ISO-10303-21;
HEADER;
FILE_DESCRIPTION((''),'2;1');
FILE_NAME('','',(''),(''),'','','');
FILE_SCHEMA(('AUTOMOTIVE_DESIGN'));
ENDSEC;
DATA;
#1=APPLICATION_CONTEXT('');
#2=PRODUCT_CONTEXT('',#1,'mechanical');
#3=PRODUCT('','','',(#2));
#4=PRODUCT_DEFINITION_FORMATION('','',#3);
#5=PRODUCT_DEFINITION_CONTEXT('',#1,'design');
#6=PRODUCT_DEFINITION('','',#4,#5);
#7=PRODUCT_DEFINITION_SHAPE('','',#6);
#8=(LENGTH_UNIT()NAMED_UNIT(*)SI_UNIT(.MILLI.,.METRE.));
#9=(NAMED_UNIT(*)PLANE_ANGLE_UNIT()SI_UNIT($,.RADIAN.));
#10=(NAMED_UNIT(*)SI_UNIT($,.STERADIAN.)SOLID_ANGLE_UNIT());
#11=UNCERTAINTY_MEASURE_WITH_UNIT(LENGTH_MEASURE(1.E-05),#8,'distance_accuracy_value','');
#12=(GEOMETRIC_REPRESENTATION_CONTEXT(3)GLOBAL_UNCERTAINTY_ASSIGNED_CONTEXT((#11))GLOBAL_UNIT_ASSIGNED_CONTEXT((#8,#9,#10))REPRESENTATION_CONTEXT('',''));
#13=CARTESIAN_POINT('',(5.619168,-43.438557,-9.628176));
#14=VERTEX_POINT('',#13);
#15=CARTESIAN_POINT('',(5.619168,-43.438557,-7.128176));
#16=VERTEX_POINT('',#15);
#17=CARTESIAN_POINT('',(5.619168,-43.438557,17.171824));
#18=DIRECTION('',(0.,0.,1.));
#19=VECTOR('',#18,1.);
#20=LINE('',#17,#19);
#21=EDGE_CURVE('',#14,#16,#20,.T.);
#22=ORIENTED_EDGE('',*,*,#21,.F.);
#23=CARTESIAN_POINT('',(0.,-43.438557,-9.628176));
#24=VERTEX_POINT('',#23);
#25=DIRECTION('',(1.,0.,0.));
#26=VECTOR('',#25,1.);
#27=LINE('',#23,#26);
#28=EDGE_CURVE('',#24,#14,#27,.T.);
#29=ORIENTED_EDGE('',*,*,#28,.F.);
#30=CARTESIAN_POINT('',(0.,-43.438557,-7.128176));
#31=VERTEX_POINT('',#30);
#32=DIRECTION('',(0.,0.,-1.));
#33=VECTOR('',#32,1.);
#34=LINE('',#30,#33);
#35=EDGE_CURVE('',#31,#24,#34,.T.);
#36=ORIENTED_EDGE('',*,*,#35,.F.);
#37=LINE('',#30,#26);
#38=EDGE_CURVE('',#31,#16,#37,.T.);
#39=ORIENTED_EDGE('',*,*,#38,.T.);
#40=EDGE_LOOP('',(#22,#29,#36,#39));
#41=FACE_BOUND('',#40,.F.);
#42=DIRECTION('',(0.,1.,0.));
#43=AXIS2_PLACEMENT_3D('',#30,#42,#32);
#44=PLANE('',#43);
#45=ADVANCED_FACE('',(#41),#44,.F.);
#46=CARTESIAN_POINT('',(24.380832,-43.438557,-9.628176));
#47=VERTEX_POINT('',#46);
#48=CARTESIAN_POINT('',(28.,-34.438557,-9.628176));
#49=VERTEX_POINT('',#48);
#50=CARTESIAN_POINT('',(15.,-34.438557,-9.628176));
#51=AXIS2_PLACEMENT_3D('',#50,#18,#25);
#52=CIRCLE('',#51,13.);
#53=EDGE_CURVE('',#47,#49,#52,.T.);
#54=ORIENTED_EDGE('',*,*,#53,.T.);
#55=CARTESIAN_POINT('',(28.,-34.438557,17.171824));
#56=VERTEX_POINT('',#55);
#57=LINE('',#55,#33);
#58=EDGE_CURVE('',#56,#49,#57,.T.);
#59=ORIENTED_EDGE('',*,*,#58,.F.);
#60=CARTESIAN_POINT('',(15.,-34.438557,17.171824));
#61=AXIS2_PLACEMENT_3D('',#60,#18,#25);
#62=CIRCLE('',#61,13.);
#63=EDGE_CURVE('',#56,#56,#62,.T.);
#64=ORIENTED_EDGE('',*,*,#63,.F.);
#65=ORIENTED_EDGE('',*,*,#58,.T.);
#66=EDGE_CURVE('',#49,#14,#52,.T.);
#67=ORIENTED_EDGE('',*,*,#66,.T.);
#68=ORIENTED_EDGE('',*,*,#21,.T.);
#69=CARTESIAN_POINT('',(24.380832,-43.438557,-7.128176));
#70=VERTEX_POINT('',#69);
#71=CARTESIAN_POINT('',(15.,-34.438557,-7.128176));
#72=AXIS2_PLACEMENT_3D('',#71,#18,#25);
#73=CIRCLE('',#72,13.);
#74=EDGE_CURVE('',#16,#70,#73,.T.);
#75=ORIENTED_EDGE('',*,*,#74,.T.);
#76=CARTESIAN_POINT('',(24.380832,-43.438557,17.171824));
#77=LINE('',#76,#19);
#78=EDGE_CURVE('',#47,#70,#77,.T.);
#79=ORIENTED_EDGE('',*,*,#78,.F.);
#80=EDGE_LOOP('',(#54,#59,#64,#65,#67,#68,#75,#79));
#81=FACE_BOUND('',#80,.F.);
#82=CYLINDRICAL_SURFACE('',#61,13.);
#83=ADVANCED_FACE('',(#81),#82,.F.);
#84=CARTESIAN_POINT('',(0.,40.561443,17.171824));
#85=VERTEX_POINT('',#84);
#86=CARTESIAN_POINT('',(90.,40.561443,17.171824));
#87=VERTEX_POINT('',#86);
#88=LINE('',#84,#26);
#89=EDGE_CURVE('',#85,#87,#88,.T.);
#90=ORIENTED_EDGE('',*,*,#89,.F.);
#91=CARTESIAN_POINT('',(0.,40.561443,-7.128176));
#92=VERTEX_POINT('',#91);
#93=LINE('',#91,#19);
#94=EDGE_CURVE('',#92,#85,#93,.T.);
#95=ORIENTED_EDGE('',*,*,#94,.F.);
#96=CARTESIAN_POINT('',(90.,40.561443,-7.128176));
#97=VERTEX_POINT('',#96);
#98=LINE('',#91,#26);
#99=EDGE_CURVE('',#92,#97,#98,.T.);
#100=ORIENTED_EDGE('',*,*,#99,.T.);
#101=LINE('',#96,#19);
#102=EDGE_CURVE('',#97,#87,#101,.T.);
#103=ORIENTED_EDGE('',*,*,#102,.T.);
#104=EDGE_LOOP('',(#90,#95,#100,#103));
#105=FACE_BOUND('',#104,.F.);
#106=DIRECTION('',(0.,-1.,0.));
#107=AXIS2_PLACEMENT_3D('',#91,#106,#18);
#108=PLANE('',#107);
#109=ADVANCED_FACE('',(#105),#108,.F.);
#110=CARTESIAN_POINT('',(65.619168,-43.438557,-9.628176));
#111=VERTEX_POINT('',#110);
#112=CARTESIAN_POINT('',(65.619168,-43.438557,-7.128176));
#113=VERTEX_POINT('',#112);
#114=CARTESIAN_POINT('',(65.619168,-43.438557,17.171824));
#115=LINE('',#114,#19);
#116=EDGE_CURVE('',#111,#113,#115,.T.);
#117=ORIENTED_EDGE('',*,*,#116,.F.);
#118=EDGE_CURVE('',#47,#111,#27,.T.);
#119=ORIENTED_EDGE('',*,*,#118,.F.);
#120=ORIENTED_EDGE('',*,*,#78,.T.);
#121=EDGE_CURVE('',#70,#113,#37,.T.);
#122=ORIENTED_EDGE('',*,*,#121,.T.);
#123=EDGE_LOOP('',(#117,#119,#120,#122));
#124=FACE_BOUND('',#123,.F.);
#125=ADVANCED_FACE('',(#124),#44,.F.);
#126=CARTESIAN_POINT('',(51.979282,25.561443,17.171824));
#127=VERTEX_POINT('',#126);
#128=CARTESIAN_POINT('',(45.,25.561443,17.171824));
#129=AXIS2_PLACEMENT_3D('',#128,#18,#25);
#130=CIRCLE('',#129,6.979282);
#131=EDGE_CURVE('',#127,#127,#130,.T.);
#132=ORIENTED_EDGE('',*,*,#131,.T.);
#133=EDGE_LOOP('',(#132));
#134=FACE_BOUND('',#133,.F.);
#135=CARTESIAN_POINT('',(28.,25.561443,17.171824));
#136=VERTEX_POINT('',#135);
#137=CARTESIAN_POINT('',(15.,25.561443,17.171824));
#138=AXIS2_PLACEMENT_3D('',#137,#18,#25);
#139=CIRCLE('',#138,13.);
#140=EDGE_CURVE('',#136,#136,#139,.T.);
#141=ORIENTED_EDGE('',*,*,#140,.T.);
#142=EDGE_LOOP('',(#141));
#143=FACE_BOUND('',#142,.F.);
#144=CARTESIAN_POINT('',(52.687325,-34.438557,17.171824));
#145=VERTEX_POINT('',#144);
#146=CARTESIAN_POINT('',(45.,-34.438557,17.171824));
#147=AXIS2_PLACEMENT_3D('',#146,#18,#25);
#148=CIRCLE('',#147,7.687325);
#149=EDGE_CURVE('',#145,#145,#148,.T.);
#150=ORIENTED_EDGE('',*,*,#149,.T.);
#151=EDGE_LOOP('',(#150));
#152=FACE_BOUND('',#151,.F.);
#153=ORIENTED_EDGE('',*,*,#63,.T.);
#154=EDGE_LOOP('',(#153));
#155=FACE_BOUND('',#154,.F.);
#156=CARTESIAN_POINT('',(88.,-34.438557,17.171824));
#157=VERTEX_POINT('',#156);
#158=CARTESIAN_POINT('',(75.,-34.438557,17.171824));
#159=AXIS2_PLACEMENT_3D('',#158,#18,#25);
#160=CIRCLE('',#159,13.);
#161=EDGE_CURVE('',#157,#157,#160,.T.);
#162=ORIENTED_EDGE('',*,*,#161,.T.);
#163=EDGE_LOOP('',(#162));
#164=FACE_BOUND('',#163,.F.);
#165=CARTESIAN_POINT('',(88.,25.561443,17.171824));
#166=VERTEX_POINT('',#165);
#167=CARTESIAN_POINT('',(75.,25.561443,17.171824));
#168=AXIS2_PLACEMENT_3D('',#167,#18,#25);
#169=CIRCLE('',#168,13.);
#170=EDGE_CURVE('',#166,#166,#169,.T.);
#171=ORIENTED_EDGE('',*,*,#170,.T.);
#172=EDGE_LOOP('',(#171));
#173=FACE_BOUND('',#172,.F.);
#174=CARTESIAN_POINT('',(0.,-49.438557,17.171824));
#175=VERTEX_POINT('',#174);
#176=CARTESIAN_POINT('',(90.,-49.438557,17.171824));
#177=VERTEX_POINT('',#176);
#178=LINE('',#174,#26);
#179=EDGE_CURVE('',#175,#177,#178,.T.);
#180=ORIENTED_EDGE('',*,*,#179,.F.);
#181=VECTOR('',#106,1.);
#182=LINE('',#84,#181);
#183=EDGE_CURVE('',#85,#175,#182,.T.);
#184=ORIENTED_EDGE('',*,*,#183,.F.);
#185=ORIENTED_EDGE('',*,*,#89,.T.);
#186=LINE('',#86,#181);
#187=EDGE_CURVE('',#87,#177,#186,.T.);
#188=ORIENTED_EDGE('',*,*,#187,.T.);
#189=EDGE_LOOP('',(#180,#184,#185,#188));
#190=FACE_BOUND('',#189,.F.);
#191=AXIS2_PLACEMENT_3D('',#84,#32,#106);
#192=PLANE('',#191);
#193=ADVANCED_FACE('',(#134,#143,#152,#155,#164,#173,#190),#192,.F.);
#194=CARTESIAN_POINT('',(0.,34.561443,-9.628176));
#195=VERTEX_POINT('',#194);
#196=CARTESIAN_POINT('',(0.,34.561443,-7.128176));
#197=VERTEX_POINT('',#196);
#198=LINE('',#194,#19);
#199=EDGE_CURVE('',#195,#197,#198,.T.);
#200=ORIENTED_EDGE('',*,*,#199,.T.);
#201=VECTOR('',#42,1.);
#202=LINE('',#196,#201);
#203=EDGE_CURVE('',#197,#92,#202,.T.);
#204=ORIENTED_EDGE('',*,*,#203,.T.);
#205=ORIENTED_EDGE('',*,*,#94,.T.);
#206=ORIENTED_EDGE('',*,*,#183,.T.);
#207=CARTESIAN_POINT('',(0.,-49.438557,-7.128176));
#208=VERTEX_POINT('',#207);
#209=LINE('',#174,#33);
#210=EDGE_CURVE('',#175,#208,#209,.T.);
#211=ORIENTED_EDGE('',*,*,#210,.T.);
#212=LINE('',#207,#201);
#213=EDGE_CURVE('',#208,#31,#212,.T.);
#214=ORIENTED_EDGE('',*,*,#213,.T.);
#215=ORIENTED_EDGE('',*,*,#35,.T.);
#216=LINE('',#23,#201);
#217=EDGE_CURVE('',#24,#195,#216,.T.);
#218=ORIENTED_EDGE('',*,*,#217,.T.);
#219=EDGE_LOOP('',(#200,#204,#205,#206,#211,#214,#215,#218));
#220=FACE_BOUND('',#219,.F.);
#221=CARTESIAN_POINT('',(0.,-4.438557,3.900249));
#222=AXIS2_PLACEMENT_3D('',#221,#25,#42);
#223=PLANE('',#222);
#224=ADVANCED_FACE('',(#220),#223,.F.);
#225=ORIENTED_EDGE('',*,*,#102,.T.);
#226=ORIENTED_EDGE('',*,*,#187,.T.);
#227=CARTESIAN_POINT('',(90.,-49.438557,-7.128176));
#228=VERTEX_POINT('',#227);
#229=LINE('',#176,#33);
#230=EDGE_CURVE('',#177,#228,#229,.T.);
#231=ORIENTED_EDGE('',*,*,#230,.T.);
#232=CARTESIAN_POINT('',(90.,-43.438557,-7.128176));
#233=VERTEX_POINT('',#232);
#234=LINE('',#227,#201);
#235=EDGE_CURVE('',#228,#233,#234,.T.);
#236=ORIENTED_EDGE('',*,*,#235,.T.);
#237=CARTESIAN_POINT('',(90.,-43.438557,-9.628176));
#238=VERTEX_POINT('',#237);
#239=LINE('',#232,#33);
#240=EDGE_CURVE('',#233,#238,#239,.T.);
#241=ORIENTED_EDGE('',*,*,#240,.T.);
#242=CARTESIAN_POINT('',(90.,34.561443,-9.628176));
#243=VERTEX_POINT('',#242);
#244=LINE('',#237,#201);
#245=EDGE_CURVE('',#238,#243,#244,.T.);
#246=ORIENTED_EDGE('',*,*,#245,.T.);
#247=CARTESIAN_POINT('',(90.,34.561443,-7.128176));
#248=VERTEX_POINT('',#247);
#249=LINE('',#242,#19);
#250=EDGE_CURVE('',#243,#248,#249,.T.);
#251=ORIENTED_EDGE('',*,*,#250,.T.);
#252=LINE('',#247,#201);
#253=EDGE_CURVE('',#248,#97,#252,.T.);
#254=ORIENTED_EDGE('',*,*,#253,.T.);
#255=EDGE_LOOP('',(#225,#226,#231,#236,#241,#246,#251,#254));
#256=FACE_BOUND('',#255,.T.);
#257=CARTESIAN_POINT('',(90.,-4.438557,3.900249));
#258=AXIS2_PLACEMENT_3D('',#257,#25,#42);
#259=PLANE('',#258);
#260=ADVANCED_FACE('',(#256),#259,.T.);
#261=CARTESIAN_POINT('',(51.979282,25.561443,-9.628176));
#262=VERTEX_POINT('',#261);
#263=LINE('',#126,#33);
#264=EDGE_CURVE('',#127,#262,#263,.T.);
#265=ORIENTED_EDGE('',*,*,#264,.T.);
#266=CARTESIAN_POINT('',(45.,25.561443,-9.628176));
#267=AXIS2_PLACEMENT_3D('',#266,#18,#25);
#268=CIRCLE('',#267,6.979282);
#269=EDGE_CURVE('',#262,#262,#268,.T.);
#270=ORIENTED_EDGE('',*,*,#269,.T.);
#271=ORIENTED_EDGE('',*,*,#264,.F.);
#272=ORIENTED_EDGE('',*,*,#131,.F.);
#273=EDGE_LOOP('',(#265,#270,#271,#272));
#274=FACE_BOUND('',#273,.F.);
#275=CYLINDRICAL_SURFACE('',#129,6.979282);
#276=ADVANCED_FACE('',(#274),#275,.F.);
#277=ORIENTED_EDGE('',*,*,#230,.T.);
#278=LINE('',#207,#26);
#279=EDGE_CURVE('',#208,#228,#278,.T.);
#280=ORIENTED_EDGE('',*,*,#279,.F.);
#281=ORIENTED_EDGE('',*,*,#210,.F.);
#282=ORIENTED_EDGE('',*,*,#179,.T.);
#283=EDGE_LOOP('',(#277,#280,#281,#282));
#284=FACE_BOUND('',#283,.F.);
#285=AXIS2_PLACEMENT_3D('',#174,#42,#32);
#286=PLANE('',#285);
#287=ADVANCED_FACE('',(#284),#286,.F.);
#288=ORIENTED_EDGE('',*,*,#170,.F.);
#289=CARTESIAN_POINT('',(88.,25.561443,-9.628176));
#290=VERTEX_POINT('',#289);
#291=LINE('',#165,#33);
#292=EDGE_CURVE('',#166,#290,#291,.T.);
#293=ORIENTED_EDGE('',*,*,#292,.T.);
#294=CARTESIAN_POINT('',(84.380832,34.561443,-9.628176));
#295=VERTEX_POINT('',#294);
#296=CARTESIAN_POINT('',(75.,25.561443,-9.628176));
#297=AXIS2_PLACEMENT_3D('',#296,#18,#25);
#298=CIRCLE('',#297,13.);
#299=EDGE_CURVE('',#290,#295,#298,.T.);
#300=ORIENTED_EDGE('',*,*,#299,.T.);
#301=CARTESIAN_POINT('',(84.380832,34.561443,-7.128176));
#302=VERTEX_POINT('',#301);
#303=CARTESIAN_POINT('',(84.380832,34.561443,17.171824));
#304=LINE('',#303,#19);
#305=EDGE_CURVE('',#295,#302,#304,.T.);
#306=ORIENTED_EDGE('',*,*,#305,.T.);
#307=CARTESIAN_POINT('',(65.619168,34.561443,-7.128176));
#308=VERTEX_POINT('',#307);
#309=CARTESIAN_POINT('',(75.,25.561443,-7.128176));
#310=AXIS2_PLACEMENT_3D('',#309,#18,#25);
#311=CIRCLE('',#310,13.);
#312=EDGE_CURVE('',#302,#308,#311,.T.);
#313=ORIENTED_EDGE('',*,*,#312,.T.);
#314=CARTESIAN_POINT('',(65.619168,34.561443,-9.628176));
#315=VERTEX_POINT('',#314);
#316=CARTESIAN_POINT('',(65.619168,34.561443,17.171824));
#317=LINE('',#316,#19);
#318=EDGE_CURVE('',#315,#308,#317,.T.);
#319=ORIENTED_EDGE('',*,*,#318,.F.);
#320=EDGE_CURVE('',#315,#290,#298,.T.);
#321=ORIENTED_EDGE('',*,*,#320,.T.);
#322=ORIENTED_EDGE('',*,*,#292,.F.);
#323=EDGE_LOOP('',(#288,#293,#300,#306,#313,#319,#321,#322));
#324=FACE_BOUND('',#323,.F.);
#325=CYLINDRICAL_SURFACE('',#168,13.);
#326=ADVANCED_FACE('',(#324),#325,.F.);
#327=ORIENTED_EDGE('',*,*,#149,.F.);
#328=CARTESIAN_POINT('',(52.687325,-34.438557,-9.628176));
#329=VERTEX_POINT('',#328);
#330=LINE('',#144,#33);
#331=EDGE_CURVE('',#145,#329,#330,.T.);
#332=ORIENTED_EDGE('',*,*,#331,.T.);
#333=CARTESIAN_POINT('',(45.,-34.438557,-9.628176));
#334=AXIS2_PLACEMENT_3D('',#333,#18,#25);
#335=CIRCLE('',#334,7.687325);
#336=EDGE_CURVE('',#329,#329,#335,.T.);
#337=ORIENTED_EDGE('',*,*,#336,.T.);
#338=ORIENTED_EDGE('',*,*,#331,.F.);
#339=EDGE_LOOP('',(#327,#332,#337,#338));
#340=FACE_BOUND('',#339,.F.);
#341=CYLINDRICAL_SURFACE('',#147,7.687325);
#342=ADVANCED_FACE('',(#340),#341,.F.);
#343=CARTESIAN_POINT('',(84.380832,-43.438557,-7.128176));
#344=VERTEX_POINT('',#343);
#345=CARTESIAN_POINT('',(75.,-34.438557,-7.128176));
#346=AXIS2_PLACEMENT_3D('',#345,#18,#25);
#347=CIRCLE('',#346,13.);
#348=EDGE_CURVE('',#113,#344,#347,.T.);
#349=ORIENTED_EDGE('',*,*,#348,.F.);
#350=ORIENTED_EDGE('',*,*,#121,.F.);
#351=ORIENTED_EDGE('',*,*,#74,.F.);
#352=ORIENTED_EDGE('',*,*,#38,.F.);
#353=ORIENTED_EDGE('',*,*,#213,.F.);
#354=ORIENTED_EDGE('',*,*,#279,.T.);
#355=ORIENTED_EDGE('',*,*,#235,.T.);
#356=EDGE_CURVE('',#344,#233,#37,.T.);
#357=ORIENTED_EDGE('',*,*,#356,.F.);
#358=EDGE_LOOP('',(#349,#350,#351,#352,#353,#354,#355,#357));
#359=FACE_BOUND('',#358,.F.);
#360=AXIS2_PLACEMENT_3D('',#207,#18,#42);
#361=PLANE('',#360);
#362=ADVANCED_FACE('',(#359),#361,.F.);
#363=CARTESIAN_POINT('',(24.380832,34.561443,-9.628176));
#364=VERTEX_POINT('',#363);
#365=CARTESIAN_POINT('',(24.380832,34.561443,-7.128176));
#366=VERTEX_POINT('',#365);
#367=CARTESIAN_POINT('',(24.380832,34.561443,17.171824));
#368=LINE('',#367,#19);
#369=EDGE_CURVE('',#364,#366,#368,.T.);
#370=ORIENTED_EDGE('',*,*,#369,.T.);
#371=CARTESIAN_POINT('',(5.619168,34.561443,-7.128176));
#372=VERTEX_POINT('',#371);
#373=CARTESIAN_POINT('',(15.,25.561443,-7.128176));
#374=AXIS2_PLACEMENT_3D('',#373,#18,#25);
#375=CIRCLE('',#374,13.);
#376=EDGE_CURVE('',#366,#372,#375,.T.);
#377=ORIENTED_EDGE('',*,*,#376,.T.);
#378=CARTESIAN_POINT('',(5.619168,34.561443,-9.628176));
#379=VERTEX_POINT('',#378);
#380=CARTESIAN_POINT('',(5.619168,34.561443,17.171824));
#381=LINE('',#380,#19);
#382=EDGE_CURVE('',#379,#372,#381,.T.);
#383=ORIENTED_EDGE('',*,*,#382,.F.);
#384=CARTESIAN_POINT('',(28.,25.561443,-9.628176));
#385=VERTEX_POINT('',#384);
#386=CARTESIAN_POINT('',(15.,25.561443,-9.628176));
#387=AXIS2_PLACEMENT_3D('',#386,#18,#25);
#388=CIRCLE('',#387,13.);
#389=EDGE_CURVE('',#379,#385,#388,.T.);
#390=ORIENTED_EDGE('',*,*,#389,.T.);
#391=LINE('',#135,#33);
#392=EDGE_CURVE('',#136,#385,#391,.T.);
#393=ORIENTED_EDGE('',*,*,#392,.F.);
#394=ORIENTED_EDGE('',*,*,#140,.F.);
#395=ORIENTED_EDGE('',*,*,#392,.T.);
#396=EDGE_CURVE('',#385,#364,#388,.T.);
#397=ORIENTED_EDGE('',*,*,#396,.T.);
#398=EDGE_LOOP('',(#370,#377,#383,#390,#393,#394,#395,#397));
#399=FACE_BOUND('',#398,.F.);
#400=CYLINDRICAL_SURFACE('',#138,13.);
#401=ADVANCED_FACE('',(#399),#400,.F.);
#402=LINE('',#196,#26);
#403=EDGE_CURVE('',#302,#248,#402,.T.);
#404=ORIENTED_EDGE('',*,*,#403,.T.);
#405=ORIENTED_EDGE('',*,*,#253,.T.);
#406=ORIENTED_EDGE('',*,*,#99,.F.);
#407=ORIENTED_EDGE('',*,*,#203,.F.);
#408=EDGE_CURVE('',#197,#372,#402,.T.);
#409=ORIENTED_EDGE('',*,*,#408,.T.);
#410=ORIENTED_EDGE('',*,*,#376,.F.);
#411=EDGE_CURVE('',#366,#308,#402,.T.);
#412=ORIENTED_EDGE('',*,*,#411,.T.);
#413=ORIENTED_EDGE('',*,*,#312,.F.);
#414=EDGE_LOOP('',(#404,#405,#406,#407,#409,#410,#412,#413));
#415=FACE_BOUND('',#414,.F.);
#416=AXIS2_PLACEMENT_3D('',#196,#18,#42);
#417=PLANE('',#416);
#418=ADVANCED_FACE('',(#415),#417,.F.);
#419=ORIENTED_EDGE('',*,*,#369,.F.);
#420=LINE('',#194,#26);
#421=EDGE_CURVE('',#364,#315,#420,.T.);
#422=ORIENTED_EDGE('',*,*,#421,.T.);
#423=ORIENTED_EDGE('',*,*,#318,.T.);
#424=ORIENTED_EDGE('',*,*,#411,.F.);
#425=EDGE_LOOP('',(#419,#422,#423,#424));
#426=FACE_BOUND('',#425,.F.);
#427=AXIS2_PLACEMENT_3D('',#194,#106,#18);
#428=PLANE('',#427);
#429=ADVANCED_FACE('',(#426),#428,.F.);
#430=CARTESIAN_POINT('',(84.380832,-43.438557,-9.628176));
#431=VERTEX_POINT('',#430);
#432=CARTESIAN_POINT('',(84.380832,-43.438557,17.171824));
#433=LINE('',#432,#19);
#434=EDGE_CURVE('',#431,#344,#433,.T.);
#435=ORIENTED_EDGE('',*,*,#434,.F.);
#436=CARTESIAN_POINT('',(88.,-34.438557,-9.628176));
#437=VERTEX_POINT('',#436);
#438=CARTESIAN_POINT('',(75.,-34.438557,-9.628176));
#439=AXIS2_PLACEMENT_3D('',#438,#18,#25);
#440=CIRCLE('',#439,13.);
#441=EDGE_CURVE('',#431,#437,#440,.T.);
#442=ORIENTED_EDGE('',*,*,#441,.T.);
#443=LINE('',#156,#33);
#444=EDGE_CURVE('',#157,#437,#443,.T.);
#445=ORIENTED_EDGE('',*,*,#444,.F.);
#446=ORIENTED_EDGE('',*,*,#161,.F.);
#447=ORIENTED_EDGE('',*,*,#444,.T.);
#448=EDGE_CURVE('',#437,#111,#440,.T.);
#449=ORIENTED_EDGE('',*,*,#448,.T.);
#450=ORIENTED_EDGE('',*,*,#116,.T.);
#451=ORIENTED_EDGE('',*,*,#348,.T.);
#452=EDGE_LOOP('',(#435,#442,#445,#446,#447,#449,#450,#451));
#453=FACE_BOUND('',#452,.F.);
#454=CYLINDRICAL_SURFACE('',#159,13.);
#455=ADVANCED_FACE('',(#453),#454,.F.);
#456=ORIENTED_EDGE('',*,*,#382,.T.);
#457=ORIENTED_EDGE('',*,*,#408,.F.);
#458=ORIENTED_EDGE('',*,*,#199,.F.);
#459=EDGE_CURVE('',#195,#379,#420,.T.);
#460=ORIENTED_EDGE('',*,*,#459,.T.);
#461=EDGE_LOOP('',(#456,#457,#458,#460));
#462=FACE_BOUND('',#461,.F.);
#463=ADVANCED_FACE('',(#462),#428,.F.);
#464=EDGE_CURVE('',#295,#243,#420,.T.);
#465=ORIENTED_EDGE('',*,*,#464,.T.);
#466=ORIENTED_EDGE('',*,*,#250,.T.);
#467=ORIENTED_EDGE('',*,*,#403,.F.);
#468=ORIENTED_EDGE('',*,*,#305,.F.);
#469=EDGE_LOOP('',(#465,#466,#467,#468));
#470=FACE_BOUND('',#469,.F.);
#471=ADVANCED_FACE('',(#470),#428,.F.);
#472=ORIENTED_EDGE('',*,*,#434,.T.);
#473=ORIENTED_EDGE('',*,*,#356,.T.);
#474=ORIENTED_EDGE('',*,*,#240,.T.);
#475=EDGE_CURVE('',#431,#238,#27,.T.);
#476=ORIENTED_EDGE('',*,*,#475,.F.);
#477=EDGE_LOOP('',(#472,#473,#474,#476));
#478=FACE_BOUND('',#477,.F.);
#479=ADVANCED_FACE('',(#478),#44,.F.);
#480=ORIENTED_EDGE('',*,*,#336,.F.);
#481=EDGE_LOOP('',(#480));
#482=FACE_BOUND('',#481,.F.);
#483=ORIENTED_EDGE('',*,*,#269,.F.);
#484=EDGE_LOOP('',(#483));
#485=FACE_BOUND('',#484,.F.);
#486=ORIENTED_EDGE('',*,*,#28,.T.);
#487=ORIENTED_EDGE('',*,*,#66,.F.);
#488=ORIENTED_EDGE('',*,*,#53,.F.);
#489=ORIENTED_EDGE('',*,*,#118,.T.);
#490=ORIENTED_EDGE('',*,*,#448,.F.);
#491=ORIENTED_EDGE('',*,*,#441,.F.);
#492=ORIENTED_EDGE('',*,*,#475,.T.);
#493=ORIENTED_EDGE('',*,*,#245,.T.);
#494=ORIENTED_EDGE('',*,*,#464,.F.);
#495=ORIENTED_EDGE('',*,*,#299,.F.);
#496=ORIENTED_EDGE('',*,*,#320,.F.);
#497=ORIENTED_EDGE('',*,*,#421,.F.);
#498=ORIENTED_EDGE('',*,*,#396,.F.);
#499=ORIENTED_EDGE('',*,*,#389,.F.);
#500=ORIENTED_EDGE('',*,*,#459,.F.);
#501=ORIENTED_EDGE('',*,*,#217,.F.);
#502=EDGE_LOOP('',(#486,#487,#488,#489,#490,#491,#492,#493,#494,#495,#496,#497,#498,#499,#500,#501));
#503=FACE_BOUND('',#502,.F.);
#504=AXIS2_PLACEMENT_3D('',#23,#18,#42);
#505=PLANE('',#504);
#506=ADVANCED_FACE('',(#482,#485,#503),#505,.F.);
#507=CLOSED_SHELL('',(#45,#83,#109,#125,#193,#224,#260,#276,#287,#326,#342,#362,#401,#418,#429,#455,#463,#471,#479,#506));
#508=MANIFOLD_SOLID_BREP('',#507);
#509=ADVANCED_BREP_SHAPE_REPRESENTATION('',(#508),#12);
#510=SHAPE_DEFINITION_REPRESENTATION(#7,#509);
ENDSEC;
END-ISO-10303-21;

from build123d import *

# Parameters (mm, degrees)
F1_DEPTH = 90
F2_R     = 13
F2_R_2   = 7.687325
F2_R_3   = 6.979282
F3_DEPTH = 26.8


with BuildPart() as f1:
    # F0 (on Right) → F1 (new body)
    with BuildSketch(Plane.YZ):
        Polygon((-43.438557, -7.128176), (-43.438557, -9.628176), (34.561443, -9.628176), (34.561443, -7.128176), (40.561443, -7.128176), (40.561443, 17.171824), (-49.438557, 17.171824), (-49.438557, -7.128176), align=None)
    extrude(amount=F1_DEPTH)

    # F2 (on face) → F3 (cut, through all)
    with BuildSketch(Plane.XY.offset(17.171824)):
        with Locations((75, 25.561443)):
            Circle(F2_R)
        with Locations((15, -34.438557)):
            Circle(F2_R)
        with Locations((75, -34.438557)):
            Circle(F2_R)
        with Locations((45, -34.438557)):
            Circle(F2_R_2)
        with Locations((45, 25.561443)):
            Circle(F2_R_3)
        with Locations((15, 25.561443)):
            Circle(F2_R)
    extrude(amount=-F3_DEPTH, mode=Mode.SUBTRACT)


solid = f1.part
